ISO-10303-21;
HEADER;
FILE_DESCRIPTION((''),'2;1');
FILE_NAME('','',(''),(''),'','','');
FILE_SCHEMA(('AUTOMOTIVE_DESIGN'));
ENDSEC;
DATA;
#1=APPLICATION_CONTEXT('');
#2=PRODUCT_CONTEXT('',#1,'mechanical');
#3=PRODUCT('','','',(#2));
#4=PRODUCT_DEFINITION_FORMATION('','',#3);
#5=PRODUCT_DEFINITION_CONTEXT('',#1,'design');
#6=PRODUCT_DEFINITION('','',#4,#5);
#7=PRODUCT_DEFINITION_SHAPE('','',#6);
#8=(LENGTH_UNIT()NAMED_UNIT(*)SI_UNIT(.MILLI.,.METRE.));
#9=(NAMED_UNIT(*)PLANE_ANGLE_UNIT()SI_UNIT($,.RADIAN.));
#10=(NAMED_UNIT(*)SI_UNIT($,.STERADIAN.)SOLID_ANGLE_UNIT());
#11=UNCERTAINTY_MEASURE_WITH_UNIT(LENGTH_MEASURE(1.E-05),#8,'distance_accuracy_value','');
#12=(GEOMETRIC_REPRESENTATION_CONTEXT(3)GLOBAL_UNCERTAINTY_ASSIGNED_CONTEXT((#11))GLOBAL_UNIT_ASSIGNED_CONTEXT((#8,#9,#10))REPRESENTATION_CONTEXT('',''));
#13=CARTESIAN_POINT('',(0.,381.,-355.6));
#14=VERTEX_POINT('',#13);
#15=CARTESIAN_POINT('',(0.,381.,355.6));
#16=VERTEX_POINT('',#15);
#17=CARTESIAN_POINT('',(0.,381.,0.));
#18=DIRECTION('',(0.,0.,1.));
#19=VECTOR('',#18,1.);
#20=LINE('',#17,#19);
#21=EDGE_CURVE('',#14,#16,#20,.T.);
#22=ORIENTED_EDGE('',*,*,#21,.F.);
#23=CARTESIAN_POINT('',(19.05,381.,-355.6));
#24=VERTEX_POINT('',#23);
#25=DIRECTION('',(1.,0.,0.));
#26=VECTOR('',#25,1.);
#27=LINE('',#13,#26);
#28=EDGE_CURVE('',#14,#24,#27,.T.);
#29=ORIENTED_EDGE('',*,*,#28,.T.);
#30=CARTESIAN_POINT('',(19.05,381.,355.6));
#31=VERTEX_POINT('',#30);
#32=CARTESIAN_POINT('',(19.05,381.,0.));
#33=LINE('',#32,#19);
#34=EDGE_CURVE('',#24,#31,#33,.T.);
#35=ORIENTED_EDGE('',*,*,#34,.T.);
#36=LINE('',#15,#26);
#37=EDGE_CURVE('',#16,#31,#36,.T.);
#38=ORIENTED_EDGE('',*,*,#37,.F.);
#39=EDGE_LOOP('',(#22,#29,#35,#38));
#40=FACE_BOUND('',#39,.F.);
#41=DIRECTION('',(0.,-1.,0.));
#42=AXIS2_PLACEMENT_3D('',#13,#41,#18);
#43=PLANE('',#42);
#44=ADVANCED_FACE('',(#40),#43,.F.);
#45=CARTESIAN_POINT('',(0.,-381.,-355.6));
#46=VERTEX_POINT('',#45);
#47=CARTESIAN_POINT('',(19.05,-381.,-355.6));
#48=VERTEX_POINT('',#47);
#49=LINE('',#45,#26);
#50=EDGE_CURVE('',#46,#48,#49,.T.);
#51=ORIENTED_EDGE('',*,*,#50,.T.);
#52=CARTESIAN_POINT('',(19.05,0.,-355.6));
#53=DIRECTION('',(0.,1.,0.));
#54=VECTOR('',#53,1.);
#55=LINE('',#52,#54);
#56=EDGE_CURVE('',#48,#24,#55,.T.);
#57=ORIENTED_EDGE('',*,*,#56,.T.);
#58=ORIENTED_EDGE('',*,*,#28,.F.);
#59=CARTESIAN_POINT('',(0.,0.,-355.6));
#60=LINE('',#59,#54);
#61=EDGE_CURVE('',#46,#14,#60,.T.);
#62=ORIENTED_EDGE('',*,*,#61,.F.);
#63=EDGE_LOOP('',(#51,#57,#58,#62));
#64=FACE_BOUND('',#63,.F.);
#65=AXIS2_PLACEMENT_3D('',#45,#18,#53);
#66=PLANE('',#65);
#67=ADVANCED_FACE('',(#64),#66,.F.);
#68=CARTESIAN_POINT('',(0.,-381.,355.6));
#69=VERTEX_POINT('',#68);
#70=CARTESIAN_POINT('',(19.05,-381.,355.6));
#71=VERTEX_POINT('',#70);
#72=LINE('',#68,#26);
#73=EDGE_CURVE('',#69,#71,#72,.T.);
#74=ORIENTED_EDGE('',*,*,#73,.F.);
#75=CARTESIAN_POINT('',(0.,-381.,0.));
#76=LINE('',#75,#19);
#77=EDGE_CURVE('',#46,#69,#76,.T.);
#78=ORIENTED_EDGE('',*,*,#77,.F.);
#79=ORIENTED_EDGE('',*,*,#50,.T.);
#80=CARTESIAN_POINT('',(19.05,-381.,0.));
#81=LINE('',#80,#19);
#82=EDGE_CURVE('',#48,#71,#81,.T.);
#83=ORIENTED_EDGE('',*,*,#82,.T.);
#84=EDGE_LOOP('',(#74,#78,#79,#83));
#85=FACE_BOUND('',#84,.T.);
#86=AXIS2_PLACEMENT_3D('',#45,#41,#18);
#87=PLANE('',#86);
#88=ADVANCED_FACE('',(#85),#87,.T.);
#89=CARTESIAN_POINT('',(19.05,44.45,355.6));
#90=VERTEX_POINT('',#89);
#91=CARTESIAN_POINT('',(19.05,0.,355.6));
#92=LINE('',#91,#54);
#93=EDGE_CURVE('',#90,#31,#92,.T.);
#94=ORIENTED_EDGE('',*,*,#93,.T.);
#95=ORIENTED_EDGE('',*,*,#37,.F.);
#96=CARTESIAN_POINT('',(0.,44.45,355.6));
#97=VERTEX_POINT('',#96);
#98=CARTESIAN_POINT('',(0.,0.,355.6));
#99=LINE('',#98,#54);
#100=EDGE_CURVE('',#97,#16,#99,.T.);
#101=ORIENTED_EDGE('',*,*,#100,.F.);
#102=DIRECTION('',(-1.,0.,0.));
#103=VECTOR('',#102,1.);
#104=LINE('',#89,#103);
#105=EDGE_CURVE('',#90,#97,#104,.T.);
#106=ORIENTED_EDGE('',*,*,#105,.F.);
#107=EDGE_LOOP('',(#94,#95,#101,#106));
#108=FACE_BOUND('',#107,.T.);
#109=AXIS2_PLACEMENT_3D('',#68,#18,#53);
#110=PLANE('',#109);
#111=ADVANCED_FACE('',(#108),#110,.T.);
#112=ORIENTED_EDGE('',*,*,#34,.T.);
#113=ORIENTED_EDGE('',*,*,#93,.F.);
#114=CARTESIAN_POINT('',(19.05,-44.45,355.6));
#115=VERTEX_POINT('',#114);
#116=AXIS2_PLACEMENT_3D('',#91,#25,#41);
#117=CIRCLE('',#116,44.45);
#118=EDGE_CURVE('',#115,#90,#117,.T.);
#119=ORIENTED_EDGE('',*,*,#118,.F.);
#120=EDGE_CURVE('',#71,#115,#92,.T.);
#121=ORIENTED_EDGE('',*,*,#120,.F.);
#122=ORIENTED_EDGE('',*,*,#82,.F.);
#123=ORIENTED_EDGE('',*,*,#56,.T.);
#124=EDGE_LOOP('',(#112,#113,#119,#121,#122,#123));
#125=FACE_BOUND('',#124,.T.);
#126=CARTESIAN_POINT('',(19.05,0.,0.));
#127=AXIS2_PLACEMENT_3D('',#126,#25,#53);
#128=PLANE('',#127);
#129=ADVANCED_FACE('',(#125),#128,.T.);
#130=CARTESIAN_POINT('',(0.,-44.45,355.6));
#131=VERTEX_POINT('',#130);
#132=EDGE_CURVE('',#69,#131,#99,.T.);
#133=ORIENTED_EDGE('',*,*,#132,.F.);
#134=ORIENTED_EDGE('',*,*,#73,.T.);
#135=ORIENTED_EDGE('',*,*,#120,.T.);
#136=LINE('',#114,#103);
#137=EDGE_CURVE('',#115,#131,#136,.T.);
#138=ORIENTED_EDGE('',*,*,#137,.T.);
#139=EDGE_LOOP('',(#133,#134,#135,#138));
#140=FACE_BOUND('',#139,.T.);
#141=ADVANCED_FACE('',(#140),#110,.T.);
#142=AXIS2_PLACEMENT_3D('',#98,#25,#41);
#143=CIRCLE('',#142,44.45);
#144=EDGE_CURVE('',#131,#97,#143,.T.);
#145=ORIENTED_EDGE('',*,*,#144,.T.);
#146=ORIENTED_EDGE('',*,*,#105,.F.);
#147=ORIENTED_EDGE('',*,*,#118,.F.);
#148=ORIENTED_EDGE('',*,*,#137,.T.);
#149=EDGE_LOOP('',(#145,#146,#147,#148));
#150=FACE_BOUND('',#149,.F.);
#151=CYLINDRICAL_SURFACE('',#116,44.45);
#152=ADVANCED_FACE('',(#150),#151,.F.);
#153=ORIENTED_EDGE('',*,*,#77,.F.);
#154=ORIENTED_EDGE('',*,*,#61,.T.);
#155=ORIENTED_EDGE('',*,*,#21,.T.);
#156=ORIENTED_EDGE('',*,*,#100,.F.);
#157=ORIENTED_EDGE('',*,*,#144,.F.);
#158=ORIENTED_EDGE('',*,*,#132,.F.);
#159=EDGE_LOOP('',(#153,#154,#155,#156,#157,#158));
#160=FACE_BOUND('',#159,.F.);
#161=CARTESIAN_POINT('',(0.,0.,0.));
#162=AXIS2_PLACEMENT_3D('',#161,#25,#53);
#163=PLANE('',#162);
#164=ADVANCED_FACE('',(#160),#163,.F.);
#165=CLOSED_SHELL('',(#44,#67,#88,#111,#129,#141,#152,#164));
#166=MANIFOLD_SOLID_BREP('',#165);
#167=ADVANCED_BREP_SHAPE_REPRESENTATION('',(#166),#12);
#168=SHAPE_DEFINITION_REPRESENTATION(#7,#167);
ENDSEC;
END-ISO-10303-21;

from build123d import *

# Parameters (mm, degrees)
F0_W     = 762
F0_H     = 711.2
F1_DEPTH = 19.05
F3_DEPTH = 25.4


with BuildPart() as f1:
    # F0 (on Right) → F1 (new body)
    with BuildSketch(Plane.YZ):
        Rectangle(F0_W, F0_H)
    extrude(amount=F1_DEPTH)

    # F2 (on face) → F3 (cut)
    with BuildSketch(Plane.YZ.offset(19.05)):
        with BuildLine():
            ThreePointArc((-44.45, 355.6), (0, 311.15), (44.45, 355.6))
            Line((44.45, 355.6), (-44.45, 355.6))
        make_face()
    extrude(amount=-F3_DEPTH, mode=Mode.SUBTRACT)


solid = f1.part
